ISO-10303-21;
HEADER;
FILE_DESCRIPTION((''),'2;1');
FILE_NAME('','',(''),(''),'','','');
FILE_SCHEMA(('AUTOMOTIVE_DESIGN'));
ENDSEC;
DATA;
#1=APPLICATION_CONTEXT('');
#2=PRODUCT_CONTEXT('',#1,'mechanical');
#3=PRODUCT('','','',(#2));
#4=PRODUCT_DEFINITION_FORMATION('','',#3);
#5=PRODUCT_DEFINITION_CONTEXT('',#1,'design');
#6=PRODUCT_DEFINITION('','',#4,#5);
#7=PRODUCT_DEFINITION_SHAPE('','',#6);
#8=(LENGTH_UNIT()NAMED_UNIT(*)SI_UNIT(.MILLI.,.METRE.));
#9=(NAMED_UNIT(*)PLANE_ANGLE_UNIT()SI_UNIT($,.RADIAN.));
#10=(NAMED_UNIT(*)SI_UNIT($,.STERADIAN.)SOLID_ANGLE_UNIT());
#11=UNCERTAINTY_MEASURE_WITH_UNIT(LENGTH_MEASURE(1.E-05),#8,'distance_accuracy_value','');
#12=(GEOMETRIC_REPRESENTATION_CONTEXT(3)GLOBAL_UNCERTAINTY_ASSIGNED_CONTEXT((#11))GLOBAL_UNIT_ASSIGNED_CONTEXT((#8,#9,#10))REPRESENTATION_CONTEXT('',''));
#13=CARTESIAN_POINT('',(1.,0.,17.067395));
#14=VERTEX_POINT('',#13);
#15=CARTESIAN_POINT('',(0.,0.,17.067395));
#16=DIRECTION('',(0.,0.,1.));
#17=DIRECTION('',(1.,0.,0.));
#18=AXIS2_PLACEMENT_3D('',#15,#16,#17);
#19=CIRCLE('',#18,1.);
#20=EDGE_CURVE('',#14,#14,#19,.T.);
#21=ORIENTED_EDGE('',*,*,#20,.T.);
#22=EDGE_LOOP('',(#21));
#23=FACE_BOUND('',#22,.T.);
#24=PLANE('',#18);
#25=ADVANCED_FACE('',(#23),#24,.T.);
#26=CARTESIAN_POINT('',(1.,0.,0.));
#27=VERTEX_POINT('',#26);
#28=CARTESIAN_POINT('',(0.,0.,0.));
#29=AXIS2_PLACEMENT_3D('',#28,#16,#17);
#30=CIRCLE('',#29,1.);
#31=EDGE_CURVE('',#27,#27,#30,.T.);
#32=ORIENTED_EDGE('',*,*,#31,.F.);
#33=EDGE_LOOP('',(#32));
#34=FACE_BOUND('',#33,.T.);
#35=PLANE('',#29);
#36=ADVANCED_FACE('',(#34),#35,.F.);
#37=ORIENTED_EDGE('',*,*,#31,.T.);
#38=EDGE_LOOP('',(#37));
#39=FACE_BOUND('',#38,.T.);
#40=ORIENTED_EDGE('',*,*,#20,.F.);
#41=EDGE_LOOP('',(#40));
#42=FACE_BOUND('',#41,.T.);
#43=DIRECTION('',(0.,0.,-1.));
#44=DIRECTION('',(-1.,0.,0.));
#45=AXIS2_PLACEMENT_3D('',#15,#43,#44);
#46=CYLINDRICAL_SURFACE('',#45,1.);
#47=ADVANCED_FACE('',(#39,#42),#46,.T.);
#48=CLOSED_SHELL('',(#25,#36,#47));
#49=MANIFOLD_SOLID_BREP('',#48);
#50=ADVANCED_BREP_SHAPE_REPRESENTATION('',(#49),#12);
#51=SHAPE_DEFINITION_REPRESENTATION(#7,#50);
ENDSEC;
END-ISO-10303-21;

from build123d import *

# Parameters (mm, degrees)
SKETCH1_R           = 1
BOSS_EXTRUDE1_DEPTH = 17.067395495


with BuildPart() as part:
    # Sketch1 → Boss-Extrude1 (new body)
    with BuildSketch(Plane.XY):
        Circle(SKETCH1_R)
    extrude(amount=BOSS_EXTRUDE1_DEPTH)


solid = part.part
